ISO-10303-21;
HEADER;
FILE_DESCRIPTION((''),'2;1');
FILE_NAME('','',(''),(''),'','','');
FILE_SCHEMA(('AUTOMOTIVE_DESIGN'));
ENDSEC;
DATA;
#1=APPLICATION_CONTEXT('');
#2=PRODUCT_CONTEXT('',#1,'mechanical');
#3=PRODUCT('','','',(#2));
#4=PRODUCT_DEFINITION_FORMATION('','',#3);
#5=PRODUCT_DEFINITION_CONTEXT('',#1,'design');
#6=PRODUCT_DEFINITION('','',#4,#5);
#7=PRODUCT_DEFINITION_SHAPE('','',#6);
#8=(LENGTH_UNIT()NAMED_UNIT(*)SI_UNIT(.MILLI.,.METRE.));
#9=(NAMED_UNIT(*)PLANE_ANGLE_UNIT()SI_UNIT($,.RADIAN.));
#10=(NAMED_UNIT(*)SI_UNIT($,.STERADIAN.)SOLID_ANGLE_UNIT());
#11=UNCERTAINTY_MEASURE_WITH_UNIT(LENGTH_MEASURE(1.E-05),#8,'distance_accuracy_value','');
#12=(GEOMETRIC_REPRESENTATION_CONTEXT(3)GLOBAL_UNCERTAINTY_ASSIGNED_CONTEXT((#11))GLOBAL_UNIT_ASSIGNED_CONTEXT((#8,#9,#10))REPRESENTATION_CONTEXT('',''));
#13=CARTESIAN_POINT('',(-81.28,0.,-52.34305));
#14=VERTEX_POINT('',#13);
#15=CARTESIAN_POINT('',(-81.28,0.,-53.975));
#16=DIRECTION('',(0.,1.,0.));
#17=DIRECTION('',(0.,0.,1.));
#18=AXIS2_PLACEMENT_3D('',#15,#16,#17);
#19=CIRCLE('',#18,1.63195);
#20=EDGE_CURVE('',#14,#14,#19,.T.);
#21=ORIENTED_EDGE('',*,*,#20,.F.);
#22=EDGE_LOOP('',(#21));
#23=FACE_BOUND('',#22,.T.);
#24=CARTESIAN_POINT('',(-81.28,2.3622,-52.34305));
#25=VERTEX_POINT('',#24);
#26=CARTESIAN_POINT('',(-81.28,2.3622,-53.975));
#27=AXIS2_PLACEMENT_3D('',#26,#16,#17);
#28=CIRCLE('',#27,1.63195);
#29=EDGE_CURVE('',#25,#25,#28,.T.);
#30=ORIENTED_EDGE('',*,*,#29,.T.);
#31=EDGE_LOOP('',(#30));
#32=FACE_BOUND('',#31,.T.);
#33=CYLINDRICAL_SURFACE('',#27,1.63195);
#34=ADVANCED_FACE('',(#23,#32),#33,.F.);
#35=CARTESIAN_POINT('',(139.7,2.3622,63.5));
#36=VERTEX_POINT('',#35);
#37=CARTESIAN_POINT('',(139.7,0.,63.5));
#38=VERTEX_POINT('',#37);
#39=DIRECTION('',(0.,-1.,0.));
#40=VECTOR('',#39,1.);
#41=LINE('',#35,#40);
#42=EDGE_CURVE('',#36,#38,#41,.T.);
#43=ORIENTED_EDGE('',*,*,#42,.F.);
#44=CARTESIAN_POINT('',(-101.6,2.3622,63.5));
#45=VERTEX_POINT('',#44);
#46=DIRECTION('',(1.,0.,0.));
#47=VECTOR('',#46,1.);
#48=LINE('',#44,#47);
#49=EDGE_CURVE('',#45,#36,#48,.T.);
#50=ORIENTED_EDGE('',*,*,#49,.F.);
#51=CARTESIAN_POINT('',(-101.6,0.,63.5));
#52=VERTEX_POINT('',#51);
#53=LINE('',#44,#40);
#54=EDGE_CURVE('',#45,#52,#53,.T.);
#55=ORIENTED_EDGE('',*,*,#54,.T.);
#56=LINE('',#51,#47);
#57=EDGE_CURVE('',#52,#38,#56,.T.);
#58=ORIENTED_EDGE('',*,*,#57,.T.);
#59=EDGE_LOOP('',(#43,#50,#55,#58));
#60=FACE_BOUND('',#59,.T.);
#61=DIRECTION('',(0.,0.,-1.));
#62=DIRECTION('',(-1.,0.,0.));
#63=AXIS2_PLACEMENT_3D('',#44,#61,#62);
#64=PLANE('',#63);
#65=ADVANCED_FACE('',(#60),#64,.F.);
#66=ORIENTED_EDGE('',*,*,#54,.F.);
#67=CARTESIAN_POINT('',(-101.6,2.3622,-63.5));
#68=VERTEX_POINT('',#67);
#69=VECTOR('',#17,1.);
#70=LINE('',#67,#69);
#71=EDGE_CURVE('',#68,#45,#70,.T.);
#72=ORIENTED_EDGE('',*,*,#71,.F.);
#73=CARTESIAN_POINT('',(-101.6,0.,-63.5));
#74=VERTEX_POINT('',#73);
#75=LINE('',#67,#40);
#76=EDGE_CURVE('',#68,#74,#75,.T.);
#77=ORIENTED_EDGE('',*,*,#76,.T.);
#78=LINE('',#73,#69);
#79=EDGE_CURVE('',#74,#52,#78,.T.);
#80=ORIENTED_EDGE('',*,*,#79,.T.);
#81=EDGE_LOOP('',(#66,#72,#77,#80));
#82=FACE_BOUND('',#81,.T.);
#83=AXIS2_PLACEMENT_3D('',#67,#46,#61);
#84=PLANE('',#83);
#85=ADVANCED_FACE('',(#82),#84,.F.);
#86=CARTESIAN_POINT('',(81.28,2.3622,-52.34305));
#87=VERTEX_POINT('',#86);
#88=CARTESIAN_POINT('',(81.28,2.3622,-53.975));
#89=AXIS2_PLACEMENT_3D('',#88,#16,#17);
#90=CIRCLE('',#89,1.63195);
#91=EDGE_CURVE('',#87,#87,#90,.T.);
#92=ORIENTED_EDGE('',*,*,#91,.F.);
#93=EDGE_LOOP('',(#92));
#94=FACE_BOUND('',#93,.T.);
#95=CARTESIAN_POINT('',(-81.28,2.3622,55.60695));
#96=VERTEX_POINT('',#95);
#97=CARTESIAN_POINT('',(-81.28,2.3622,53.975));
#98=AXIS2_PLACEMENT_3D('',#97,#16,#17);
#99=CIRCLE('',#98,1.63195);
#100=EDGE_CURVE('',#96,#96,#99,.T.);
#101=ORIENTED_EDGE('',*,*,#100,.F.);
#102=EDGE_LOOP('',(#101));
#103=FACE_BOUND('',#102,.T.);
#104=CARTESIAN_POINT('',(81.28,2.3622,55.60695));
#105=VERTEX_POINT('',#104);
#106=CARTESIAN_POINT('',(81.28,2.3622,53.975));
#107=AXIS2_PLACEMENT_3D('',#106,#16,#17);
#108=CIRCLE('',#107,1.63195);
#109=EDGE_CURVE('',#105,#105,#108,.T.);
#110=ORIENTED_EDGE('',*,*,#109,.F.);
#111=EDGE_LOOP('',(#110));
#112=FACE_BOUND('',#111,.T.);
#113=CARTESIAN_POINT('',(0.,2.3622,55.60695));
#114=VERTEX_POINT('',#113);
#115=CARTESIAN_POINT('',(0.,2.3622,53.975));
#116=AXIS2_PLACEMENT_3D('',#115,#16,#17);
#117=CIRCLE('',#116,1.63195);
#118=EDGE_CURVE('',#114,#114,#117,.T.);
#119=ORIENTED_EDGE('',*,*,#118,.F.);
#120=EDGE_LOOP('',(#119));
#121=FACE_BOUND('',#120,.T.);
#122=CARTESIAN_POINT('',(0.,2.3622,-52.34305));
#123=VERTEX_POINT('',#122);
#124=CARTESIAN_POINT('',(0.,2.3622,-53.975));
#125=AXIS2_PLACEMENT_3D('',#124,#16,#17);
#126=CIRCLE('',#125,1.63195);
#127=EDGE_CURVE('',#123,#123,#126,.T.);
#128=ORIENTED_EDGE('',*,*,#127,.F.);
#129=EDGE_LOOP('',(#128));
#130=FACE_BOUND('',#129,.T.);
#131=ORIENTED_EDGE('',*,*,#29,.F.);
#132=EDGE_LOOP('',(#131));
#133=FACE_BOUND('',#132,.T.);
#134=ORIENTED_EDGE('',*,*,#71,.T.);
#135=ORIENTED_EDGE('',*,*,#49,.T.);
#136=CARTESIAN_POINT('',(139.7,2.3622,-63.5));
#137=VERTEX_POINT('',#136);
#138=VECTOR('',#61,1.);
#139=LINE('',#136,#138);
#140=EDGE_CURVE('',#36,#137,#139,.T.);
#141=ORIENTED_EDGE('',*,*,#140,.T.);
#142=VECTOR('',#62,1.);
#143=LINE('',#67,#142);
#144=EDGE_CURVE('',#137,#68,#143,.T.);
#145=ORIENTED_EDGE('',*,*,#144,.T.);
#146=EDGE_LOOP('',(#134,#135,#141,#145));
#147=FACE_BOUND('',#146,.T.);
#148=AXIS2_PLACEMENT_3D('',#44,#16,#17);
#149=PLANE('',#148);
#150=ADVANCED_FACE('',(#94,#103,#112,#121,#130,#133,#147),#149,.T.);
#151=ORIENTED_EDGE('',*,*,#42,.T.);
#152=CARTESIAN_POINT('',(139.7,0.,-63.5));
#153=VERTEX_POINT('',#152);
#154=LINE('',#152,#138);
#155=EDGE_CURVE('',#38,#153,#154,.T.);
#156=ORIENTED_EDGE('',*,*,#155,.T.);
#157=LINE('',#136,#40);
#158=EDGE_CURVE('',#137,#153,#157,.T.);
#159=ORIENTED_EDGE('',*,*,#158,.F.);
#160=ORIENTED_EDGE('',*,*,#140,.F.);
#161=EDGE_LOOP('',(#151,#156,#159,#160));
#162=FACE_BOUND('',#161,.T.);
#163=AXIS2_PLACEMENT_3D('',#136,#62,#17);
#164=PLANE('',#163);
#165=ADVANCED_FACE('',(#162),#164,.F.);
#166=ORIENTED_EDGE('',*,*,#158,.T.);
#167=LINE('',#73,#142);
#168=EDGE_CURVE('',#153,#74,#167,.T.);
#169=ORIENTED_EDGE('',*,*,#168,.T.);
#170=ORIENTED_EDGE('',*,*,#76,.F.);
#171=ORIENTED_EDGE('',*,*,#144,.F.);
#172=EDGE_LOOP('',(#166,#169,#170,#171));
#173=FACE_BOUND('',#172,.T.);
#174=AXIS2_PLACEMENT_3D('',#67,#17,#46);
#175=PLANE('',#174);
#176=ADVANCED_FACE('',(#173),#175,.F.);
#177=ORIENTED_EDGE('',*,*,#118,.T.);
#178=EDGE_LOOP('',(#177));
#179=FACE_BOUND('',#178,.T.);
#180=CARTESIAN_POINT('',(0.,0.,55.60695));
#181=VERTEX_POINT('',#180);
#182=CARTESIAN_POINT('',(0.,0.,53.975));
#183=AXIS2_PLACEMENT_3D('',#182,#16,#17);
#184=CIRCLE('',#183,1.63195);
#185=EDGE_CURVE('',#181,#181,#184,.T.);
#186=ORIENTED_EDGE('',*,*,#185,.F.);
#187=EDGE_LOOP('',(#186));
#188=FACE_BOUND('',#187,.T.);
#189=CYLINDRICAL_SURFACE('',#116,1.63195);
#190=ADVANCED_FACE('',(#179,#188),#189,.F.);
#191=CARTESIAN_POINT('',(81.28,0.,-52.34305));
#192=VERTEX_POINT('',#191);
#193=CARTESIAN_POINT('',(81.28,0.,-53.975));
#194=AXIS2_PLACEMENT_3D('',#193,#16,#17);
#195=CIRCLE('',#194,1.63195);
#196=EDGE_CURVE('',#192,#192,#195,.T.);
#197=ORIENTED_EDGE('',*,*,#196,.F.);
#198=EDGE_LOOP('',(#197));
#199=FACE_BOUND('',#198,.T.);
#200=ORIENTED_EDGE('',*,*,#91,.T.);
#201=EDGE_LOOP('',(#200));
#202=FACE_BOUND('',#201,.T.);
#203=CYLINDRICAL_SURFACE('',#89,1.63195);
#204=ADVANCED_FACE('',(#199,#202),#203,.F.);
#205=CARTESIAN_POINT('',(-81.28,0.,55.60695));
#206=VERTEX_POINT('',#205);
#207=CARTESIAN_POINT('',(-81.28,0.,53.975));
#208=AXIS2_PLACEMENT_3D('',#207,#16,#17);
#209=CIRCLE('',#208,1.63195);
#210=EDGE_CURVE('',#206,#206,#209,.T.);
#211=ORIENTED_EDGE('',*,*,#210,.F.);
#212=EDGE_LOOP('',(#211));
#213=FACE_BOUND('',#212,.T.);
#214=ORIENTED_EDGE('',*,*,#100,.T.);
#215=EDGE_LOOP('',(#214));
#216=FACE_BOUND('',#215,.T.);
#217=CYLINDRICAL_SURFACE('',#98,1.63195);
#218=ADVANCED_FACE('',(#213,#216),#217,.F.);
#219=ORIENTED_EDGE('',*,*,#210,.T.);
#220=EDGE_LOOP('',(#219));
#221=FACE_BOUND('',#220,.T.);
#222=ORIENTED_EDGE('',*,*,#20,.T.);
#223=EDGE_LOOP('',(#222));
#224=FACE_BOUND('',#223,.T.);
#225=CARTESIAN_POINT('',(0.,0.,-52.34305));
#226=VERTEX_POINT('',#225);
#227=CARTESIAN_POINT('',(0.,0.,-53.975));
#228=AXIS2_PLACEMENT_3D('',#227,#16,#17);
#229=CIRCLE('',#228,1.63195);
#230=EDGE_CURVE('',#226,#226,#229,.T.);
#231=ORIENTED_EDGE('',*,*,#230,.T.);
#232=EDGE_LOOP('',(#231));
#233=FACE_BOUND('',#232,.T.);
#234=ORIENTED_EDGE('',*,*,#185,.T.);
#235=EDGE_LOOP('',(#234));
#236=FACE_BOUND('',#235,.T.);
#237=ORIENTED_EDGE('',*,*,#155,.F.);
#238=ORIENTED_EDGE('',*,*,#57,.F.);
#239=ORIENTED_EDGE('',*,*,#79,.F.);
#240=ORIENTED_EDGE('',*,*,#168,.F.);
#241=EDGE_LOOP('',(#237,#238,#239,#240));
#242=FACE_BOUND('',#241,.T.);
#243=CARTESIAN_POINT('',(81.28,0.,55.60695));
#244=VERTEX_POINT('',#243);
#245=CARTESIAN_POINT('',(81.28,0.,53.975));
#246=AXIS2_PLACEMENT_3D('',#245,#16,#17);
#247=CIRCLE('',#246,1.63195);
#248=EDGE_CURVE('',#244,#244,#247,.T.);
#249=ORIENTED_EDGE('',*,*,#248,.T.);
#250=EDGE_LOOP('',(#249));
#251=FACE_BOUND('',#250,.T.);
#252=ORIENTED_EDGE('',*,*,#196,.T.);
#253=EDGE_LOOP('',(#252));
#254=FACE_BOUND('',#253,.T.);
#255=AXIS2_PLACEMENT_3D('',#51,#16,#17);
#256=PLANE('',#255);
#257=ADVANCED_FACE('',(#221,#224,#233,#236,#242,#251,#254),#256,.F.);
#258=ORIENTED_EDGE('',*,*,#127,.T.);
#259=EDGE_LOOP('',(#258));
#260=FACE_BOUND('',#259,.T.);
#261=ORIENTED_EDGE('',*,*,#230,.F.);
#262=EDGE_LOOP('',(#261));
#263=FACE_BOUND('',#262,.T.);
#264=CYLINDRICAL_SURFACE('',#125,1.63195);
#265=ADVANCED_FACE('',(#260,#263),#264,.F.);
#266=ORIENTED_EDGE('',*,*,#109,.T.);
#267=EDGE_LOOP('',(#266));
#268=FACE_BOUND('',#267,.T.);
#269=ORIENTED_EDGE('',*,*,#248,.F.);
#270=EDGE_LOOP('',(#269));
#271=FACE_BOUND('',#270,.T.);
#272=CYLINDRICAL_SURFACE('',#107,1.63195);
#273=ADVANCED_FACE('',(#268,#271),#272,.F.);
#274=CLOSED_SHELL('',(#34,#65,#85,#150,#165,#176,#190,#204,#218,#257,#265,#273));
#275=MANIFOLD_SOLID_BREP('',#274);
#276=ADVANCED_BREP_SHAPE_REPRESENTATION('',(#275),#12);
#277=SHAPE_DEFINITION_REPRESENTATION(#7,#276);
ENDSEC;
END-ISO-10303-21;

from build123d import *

# Parameters (mm, degrees)
SKETCH1_W                 = 203.2
SKETCH1_H                 = 127
EXTRUDE1_DEPTH            = 2.3622
F_4_CLEARANCE_HOLE1_D     = 3.2639
F_4_CLEARANCE_HOLE1_DEPTH = 6.35
F_4_CLEARANCE_HOLE1_TIP   = 0.980574487
SKETCH3_W                 = 38.1
SKETCH3_H                 = 127
EXTRUDE2_DEPTH            = 2.3622


with BuildPart() as part:
    # Sketch1 → Extrude1 (new body)
    with BuildSketch(Plane(origin=(0, 0, 0), x_dir=(1, 0, 0), z_dir=(0, 1, 0))):
        Rectangle(SKETCH1_W, SKETCH1_H)
    extrude(amount=EXTRUDE1_DEPTH)

    # #4 Clearance Hole1
    with Locations(Plane(origin=(-81.28, 2.3622, -53.975), x_dir=(0, 0, 1), z_dir=(0, 1, 0))):
        with Locations((0, 0), (0, 81.28), (107.95, 81.28), (107.95, 0), (107.95, 162.56), (0, 162.56)):
            Hole(F_4_CLEARANCE_HOLE1_D / 2, depth=F_4_CLEARANCE_HOLE1_DEPTH)
            with Locations((0, 0, -(F_4_CLEARANCE_HOLE1_DEPTH + F_4_CLEARANCE_HOLE1_TIP / 2))):  # 118° drill point
                Cone(0, F_4_CLEARANCE_HOLE1_D / 2, F_4_CLEARANCE_HOLE1_TIP, mode=Mode.SUBTRACT)

    # Sketch3 → Extrude2 (add)
    with BuildSketch(Plane(origin=(0, 0, 0), x_dir=(1, 0, 0), z_dir=(0, 1, 0))):
        with Locations((120.65, 0)):
            Rectangle(SKETCH3_W, SKETCH3_H)
    extrude(amount=EXTRUDE2_DEPTH)


solid = part.part
